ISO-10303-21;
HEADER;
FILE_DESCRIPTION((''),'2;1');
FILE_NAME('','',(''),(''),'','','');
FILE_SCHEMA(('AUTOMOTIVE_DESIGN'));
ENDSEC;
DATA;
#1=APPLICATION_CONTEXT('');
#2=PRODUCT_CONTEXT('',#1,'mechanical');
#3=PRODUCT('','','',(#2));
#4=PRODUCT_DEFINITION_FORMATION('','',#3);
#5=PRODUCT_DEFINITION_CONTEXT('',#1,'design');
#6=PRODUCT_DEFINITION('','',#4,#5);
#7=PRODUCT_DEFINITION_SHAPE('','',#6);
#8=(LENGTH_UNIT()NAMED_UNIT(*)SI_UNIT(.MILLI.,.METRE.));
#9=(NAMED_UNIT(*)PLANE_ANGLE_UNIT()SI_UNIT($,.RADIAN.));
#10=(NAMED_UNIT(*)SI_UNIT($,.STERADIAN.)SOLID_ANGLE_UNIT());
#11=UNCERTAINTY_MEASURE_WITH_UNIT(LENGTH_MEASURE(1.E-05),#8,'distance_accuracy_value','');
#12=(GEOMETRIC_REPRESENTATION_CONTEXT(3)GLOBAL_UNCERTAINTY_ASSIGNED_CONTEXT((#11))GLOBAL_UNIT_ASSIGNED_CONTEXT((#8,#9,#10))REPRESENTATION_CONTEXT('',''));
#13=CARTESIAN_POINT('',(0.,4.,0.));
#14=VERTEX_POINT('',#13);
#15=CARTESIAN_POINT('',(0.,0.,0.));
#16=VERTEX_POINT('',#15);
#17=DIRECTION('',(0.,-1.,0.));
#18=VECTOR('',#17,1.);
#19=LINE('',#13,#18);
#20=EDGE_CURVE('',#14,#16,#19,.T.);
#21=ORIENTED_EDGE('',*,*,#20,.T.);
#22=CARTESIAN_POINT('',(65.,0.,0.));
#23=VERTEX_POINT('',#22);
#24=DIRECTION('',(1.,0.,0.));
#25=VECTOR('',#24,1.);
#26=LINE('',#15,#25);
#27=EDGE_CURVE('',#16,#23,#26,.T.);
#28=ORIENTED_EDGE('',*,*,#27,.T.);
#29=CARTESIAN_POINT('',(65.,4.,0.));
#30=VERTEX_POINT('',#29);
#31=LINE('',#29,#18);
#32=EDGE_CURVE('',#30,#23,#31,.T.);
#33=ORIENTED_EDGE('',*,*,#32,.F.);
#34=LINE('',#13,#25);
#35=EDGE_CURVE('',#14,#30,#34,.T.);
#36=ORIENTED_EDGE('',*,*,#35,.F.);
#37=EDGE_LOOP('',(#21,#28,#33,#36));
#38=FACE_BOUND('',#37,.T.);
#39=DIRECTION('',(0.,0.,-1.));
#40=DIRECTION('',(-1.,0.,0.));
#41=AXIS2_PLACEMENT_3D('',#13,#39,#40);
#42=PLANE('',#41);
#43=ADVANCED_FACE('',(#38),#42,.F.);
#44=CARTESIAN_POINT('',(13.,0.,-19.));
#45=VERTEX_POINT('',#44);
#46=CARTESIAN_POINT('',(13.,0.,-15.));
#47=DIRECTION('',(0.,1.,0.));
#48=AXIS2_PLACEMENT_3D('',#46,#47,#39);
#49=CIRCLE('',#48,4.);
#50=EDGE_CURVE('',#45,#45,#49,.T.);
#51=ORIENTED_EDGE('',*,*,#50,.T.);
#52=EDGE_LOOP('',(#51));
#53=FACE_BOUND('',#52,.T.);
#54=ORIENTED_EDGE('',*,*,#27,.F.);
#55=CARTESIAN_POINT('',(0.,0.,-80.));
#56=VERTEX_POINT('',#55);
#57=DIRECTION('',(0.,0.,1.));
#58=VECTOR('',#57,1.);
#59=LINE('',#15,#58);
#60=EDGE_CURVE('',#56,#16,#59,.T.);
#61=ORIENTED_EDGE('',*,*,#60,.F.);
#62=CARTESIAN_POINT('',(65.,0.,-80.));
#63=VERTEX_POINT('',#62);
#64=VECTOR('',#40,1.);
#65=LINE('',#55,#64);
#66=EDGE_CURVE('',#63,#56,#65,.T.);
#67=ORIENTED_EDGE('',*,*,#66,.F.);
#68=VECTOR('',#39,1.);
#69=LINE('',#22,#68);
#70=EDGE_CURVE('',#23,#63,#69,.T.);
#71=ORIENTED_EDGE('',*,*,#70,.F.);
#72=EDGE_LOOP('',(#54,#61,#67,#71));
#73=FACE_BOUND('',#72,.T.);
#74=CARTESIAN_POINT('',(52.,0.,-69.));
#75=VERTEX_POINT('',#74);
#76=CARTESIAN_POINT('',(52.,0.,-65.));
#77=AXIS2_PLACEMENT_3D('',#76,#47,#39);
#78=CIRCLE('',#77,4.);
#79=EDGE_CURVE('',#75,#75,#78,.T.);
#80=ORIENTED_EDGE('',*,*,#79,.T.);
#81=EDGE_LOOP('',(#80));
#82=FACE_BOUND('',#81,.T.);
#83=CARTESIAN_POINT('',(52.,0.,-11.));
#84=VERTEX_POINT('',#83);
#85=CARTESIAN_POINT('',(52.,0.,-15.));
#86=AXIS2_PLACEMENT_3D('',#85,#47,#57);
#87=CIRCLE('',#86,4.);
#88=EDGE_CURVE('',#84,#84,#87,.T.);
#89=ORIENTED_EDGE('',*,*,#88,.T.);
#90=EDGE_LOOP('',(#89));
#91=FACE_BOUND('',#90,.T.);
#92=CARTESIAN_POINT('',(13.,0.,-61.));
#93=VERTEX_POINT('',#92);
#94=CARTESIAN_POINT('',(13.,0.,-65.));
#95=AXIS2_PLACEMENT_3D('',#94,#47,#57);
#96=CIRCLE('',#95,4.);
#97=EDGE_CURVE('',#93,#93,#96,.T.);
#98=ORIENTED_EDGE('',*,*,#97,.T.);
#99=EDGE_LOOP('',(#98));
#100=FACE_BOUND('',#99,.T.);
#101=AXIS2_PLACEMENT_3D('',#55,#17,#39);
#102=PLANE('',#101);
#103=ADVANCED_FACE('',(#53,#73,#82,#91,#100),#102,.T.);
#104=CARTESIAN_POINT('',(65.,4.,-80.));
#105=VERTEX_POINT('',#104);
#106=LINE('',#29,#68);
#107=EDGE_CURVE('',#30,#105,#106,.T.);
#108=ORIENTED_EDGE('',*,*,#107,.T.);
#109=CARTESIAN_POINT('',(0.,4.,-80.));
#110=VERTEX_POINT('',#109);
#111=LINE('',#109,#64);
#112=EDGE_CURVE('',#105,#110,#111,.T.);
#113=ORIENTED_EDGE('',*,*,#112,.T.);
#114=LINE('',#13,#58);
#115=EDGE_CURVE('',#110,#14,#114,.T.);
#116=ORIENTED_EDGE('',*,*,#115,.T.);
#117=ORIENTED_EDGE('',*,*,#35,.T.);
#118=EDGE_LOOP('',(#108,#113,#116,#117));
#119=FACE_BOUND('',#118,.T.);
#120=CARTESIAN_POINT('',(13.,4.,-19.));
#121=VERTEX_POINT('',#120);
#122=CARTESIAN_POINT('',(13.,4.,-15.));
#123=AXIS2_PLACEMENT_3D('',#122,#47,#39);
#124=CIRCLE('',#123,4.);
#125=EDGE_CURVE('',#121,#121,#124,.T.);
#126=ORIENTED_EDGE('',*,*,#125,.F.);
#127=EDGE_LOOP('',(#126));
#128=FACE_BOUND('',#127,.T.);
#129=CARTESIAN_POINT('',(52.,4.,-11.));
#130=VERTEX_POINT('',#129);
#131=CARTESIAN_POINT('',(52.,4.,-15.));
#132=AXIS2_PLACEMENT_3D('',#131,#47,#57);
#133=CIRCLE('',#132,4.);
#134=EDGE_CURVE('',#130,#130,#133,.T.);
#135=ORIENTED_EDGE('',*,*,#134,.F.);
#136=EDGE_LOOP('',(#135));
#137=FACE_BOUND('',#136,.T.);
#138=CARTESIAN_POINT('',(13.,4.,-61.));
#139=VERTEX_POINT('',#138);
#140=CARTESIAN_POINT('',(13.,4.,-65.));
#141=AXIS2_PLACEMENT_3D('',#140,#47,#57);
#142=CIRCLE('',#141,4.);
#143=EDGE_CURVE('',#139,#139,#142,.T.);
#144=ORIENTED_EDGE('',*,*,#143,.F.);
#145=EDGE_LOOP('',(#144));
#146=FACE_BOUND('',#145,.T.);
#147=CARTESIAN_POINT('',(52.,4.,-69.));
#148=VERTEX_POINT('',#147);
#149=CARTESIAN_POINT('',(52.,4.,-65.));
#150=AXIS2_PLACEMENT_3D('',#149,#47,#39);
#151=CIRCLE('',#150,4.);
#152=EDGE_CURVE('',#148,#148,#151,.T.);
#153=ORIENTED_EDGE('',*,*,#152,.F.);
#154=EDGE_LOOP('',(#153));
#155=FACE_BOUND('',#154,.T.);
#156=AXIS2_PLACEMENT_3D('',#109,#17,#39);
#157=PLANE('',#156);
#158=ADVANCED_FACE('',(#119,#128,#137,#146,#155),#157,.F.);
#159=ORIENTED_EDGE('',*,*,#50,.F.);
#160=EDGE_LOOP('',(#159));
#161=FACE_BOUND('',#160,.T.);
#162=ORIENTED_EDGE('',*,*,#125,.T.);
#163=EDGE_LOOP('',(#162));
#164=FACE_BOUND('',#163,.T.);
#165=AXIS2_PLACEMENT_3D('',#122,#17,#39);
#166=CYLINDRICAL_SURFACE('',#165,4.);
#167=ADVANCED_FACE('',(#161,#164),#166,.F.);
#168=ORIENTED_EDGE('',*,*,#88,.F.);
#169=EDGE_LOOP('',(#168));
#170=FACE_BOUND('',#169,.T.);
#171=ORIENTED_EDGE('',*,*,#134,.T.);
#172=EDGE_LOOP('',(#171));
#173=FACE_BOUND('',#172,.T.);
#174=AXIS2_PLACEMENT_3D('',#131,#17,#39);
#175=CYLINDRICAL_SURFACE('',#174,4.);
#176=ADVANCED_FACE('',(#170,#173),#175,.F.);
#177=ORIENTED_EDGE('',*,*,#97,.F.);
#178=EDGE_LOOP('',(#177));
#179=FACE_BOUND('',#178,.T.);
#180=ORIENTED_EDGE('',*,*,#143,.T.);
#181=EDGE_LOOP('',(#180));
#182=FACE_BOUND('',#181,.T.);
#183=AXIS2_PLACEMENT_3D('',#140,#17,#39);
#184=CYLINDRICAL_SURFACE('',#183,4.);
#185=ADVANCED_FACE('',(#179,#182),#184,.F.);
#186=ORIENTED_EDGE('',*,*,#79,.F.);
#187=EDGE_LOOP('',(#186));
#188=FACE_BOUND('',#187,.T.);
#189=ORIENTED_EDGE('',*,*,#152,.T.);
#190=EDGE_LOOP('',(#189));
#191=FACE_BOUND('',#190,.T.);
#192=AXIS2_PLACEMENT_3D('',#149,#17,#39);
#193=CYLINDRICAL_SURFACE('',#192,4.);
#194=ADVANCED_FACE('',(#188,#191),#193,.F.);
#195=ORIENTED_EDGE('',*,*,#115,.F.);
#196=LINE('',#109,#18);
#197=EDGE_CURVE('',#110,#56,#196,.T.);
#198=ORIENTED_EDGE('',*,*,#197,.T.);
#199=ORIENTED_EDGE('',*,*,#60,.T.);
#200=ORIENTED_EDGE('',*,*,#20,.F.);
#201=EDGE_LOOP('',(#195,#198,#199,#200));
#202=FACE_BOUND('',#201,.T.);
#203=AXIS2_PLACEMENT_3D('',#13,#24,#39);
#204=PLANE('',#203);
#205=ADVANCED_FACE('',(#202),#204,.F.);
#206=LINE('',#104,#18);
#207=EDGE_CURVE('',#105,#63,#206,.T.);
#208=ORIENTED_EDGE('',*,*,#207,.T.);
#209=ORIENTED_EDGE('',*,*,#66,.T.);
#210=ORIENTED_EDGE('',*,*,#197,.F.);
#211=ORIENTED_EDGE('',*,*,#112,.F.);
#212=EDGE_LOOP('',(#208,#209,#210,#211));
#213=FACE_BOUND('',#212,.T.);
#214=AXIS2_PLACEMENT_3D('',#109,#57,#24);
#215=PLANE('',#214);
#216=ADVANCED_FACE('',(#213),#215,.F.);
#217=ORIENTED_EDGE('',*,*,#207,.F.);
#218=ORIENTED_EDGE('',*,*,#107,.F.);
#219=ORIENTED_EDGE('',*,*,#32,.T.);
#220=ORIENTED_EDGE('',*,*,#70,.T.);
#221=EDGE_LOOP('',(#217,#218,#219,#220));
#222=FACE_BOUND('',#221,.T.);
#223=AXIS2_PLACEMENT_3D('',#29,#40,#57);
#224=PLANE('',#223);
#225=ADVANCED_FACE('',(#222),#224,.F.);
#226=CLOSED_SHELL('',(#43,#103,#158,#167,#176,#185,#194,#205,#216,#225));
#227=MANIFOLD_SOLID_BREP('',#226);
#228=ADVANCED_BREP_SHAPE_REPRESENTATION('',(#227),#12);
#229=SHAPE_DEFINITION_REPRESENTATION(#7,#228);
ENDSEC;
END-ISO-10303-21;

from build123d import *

# Parameters (mm, degrees)
SKETCH1_W           = 65
SKETCH1_H           = 80
SKETCH1_R           = 4
BOSS_EXTRUDE1_DEPTH = 4


with BuildPart() as part:
    # Sketch1 → Boss-Extrude1 (new body)
    with BuildSketch(Plane(origin=(0, 0, 0), x_dir=(1, 0, 0), z_dir=(0, 1, 0))):
        with Locations((32.5, 40)):
            Rectangle(SKETCH1_W, SKETCH1_H)
        with Locations(Location((13, 65, 0), (0, 0, 270))):
            Circle(SKETCH1_R, mode=Mode.SUBTRACT)
        with Locations(Location((13, 15, 0), (0, 0, 90))):
            Circle(SKETCH1_R, mode=Mode.SUBTRACT)
        with Locations(Location((52, 15, 0), (0, 0, 270))):
            Circle(SKETCH1_R, mode=Mode.SUBTRACT)
        with Locations(Location((52, 65, 0), (0, 0, 90))):
            Circle(SKETCH1_R, mode=Mode.SUBTRACT)
    extrude(amount=BOSS_EXTRUDE1_DEPTH)


solid = part.part
